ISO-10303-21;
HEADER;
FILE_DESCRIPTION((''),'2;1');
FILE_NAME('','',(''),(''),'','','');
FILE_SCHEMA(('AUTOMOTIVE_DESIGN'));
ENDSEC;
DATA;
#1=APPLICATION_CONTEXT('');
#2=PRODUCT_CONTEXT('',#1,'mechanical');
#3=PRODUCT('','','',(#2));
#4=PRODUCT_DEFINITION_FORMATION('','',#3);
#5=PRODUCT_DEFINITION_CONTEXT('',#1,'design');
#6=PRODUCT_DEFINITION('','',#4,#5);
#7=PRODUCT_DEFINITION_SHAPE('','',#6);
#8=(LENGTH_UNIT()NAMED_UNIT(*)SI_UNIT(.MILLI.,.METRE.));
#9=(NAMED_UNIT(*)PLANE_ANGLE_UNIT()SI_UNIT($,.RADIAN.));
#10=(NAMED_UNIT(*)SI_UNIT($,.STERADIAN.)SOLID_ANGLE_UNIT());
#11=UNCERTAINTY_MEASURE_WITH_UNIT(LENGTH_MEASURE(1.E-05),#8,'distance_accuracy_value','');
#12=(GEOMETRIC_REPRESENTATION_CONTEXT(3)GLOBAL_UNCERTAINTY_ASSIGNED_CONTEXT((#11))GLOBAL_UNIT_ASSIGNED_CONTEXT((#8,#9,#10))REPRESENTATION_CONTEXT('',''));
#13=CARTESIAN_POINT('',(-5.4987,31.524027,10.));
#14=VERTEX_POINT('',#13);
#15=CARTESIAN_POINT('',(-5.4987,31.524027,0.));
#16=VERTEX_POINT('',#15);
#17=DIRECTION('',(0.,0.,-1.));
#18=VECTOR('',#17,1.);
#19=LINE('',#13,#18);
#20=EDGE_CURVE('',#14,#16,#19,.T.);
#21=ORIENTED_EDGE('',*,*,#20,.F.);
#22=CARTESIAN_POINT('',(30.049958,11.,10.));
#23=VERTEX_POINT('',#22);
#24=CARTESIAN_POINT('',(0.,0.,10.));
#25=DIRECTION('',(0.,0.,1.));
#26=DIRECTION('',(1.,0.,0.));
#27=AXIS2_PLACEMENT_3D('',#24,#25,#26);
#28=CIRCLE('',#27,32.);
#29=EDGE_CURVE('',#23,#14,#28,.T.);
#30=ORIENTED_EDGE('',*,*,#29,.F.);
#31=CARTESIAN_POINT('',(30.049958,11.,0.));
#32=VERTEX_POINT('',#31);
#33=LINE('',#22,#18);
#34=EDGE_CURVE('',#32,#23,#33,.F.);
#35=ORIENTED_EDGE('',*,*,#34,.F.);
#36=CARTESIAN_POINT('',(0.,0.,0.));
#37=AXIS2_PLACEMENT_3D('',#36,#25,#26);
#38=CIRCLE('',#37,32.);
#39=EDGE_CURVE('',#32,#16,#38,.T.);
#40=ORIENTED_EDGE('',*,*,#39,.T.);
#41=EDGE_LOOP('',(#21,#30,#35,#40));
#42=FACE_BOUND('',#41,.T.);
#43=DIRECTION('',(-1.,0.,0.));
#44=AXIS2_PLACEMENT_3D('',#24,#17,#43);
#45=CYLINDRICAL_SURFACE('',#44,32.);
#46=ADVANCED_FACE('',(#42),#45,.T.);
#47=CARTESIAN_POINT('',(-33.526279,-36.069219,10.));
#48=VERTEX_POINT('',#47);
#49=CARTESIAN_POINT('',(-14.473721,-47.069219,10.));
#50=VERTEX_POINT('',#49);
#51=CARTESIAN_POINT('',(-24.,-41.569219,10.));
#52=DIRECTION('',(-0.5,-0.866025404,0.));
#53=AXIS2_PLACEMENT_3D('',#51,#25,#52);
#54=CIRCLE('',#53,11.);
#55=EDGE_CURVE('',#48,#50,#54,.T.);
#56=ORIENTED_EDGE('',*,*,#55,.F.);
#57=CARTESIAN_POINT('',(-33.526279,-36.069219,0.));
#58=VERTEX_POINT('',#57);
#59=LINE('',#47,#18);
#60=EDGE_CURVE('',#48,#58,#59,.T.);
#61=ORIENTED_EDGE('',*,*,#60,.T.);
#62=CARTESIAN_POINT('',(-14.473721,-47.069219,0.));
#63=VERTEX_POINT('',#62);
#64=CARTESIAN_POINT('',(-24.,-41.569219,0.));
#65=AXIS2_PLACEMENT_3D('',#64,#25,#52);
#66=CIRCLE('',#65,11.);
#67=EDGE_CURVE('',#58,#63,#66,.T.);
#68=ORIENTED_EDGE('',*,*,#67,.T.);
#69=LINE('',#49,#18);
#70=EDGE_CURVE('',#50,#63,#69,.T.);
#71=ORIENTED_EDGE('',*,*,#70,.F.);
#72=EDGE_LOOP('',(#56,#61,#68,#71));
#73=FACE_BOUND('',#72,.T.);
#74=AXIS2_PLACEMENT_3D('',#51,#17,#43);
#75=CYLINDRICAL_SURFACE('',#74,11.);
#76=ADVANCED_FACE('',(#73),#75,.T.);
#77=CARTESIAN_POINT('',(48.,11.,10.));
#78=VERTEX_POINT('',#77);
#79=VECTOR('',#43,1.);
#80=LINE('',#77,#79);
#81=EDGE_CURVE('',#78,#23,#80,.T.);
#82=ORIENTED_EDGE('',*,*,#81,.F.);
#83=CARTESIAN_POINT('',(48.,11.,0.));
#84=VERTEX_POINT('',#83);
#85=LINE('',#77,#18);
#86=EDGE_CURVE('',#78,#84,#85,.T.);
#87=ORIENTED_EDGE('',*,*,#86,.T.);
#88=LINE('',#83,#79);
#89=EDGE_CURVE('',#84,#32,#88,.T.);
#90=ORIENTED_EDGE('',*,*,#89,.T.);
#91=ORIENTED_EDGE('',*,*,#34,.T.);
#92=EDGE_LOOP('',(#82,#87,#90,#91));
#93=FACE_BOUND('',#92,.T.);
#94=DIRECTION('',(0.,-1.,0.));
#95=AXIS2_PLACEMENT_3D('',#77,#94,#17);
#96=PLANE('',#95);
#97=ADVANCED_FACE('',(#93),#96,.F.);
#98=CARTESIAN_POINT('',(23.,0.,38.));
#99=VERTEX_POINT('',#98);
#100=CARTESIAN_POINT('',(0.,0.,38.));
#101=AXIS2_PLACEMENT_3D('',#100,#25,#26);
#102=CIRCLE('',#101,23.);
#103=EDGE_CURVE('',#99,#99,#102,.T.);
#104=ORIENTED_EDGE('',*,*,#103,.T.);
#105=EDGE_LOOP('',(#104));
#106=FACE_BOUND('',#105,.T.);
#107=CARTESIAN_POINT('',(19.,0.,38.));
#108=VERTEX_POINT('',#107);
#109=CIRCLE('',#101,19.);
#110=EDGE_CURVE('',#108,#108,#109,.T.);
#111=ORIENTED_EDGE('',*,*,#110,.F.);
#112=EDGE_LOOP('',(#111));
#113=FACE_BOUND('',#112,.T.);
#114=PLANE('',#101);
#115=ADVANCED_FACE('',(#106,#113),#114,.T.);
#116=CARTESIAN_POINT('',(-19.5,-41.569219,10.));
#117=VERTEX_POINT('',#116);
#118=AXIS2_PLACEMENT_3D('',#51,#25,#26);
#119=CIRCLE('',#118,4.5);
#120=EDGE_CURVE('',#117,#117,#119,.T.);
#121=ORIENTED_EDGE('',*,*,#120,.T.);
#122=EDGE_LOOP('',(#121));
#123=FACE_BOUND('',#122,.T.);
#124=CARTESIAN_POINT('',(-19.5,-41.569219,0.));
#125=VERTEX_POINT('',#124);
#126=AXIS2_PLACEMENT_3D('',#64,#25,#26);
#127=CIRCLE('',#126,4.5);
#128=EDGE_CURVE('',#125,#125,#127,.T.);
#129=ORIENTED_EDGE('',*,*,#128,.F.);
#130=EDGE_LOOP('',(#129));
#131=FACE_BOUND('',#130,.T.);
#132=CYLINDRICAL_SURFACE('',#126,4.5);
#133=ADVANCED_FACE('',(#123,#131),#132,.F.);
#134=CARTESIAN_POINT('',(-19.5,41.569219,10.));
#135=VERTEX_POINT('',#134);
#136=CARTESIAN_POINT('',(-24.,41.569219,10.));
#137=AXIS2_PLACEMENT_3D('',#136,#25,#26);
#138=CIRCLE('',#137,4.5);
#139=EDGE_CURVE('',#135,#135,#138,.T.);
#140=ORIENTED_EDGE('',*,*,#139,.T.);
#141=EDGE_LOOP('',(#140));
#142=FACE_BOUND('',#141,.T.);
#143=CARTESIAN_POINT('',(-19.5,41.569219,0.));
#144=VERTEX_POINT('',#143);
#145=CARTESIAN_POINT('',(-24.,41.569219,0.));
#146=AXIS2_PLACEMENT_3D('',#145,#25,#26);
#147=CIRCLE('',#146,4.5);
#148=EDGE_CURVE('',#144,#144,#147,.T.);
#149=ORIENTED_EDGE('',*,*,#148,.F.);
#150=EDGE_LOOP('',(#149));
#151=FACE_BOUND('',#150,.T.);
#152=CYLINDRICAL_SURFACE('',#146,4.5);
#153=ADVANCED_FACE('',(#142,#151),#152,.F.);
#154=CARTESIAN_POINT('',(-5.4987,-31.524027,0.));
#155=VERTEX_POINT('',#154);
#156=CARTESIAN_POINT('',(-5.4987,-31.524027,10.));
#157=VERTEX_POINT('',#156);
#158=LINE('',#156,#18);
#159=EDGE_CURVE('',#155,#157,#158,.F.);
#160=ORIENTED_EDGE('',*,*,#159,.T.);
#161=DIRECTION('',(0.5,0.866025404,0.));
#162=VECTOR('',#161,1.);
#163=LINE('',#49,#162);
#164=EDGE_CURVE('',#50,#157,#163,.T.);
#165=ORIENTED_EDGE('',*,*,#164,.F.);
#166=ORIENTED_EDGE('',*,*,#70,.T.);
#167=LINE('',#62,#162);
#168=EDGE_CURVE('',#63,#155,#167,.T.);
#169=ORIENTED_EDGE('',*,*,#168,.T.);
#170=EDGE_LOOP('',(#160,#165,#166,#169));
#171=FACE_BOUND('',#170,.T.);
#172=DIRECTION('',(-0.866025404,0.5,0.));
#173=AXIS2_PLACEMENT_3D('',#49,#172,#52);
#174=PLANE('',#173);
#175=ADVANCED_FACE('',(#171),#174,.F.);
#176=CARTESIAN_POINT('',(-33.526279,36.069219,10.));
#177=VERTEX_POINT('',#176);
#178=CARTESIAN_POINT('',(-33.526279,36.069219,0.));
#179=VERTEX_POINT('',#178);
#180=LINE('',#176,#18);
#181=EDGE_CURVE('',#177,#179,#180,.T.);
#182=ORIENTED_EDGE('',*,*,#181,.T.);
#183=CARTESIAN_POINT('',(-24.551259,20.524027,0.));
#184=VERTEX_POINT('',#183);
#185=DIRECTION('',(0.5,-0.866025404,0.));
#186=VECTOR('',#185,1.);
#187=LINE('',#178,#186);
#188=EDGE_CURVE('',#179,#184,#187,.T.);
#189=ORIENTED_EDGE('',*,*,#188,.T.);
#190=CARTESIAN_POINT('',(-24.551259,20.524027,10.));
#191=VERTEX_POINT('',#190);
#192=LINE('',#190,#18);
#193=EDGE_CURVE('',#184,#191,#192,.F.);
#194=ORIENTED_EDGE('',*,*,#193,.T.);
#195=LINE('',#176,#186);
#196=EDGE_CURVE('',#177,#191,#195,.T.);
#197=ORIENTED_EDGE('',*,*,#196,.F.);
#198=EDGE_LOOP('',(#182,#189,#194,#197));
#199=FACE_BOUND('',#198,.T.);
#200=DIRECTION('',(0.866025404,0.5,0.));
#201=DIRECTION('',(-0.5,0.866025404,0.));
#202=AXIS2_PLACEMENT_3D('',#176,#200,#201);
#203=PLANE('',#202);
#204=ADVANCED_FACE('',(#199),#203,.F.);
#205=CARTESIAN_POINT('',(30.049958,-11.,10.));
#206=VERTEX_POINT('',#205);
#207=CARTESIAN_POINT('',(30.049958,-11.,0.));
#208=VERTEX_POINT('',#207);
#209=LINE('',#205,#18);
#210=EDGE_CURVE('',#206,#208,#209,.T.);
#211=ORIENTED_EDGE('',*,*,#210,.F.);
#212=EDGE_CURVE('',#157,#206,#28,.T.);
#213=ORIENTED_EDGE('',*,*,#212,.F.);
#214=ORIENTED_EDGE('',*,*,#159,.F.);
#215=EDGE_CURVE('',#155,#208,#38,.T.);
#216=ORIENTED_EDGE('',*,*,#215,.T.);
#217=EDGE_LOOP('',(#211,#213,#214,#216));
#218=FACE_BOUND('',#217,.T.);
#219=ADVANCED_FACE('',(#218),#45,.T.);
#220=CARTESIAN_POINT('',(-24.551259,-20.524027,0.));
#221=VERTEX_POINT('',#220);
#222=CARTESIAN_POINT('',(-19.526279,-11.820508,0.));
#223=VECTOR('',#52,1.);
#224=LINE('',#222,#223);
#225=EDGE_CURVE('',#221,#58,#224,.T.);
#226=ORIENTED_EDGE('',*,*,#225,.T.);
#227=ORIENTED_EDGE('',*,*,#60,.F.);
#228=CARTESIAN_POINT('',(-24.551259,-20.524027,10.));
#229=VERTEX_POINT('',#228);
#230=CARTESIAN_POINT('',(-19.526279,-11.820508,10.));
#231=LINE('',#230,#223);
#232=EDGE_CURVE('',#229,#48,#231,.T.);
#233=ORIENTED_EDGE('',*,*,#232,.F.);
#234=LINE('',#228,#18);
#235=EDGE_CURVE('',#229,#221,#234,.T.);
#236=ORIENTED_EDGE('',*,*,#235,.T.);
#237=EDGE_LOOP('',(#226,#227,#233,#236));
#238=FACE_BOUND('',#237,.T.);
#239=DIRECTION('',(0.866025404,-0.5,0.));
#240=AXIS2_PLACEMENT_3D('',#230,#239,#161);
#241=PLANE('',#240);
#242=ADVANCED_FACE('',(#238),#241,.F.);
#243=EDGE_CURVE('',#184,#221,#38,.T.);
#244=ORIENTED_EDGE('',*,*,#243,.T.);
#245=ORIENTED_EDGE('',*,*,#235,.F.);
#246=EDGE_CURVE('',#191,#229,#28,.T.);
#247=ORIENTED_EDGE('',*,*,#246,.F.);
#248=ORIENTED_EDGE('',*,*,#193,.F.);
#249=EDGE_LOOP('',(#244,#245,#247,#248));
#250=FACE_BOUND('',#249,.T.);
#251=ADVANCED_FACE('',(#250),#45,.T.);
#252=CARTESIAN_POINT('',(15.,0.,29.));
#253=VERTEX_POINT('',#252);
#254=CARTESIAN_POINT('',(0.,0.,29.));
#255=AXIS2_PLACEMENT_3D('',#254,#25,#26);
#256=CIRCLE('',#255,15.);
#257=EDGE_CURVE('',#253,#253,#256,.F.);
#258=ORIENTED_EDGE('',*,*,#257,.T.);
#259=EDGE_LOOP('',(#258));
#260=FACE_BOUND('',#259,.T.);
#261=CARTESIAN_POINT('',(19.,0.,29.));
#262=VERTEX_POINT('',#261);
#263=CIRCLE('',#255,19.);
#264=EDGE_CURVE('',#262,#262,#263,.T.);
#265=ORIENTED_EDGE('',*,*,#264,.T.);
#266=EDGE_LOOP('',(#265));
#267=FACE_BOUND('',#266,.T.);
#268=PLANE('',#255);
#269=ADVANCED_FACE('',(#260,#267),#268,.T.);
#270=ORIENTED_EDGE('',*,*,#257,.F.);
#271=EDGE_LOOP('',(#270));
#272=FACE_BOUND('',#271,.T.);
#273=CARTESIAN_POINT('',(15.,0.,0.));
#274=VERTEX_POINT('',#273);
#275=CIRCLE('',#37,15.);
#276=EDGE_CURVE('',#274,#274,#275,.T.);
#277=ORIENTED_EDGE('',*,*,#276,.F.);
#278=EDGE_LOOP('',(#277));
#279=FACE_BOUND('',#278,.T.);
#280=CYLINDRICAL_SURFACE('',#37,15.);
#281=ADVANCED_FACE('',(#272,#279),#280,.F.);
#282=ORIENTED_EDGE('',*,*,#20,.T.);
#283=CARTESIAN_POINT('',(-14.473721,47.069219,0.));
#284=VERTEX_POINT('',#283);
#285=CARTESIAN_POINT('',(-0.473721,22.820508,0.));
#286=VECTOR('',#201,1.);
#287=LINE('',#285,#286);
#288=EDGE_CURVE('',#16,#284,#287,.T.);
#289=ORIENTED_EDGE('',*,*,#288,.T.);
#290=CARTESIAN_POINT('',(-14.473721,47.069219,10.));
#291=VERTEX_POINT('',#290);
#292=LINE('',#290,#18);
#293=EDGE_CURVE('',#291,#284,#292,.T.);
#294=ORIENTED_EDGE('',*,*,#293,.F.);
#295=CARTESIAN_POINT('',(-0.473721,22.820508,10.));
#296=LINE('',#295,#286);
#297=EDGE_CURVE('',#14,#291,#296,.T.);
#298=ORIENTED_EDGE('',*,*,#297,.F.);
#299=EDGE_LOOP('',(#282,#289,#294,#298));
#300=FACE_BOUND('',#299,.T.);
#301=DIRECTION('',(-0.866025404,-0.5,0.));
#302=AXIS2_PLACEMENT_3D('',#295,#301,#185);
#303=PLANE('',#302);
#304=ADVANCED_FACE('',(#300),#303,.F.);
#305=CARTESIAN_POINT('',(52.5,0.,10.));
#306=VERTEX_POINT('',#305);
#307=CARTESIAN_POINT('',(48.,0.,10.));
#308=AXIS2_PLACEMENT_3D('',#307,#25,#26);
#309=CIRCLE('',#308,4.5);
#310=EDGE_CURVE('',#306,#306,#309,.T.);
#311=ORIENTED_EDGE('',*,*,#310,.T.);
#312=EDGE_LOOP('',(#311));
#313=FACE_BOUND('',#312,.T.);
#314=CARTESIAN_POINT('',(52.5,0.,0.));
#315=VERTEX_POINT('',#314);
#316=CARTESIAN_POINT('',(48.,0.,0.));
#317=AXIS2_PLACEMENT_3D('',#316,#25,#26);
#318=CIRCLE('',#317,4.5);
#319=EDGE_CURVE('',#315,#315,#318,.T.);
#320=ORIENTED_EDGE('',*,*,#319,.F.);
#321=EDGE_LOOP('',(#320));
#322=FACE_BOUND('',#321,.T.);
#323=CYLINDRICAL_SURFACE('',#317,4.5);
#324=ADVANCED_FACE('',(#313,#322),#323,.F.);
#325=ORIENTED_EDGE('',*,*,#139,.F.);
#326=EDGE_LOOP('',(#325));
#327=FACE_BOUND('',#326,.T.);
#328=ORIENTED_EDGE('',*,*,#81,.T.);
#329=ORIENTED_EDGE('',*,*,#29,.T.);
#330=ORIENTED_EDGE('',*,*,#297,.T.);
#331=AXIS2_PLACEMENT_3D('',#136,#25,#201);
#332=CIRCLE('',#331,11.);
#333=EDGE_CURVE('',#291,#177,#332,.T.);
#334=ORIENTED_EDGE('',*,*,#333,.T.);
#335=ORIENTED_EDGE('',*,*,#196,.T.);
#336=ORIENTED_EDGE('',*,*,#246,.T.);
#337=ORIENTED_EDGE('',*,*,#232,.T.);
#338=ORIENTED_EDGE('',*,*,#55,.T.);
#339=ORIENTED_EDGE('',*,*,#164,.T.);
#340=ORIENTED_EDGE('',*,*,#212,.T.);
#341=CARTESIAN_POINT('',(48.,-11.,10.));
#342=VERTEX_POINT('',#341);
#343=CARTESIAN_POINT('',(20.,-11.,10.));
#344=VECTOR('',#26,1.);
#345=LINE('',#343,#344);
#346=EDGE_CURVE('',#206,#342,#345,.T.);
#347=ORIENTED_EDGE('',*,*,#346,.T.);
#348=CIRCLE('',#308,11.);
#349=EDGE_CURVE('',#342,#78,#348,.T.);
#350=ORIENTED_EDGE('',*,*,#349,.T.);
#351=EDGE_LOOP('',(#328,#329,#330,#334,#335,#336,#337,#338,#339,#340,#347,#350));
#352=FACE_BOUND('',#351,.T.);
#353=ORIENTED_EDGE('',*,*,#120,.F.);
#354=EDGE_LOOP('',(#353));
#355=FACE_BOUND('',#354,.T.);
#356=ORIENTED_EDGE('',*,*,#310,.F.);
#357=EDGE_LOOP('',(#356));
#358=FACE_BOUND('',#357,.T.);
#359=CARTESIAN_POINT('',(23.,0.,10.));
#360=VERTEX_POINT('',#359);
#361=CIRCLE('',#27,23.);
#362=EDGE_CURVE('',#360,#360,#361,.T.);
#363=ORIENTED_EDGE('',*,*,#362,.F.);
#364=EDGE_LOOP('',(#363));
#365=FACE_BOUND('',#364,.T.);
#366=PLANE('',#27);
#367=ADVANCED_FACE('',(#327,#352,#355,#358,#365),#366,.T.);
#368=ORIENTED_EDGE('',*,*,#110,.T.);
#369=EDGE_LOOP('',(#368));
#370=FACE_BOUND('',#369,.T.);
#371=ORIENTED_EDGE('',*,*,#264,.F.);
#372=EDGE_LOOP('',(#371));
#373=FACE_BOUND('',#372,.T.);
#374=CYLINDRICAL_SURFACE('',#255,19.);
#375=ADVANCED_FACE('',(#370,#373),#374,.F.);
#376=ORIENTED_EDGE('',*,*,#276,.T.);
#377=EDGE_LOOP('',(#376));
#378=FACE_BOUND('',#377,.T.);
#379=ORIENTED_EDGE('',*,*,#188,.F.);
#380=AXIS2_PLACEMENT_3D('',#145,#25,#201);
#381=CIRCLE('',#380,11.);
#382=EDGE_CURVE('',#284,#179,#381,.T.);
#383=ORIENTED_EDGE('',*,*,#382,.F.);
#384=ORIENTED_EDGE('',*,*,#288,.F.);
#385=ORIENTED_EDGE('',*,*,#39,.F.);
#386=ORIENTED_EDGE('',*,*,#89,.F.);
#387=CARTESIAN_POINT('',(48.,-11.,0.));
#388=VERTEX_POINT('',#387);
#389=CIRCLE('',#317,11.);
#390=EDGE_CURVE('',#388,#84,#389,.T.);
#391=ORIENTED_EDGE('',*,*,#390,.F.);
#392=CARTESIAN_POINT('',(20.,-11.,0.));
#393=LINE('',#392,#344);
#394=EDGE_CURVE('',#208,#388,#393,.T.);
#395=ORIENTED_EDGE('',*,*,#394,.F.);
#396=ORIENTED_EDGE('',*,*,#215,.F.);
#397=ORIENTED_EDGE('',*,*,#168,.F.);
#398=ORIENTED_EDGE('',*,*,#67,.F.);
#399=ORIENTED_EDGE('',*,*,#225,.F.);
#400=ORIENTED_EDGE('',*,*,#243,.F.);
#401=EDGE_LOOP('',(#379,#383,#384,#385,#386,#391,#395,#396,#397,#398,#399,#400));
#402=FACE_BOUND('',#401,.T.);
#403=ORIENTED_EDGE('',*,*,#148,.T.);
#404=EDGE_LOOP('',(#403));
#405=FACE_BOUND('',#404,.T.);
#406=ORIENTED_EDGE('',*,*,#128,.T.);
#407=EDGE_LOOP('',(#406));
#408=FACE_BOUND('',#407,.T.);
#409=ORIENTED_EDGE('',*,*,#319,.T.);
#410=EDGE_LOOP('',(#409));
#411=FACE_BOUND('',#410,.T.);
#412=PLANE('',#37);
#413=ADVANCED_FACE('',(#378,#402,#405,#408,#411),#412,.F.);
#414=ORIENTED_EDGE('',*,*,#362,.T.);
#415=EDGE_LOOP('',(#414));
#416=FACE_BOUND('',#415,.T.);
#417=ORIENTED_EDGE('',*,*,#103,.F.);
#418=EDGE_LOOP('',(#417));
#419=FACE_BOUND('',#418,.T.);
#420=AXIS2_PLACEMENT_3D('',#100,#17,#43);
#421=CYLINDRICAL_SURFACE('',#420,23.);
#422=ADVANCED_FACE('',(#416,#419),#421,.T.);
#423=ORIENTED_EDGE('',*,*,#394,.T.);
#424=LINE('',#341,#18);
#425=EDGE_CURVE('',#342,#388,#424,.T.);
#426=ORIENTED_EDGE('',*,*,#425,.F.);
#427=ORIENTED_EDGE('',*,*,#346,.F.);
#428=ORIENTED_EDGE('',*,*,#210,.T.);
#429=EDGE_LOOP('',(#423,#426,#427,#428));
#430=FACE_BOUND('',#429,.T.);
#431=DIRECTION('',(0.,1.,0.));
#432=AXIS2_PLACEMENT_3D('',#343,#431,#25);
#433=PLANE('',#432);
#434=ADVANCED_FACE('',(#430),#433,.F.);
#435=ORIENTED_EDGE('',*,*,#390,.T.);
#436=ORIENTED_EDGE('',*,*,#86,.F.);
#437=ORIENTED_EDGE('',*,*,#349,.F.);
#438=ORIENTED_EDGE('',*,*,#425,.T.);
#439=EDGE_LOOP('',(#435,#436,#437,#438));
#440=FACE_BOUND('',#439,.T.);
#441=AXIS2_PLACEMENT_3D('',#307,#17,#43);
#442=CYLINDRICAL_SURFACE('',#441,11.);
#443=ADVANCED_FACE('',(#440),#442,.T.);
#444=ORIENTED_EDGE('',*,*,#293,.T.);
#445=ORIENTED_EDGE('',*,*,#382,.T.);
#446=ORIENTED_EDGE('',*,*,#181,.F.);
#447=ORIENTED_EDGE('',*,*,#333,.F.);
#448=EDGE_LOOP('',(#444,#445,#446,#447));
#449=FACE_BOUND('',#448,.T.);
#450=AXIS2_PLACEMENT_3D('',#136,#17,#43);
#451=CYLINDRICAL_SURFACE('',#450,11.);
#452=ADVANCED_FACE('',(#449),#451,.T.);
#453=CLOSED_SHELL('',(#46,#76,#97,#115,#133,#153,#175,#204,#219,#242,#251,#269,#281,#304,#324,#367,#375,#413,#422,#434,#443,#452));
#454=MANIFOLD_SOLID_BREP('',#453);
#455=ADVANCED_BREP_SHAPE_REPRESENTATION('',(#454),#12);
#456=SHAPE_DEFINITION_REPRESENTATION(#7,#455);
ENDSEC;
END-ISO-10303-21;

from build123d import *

# Parameters (mm, degrees)
SKETCH_1_R               = 32
EXTRUDE_1_DEPTH          = 10
EXTRUDE_2_DEPTH          = 10
PATTERN_CIRCULAR_1_COUNT = 3
SKETCH_3_R               = 23
EXTRUDE_3_DEPTH          = 28
SKETCH_4_R               = 15
CUT_EXTRUDE_1_DEPTH      = 88.68422222
SKETCH_5_R               = 19
CUT_EXTRUDE_2_DEPTH      = 9
SKETCH_6_R               = 4.5
CUT_EXTRUDE_3_DEPTH      = 84.836285858


with BuildPart() as part:
    # 草图1 → 凸台-拉伸1 (new body)
    with BuildSketch(Plane.XY):
        Circle(SKETCH_1_R)
    extrude(amount=EXTRUDE_1_DEPTH)

    # 草图2 → 凸台-拉伸2 (add)
    with BuildSketch(Plane.XY):
        with BuildLine():
            Line((20, -11), (48, -11))
            ThreePointArc((48, -11), (59, 0), (48, 11))
            Line((48, 11), (20, 11))
            ThreePointArc((20, 11), (9, 0), (20, -11))
        make_face()
    extrude_2 = extrude(amount=EXTRUDE_2_DEPTH)

    # 阵列(圆周)1: 凸台-拉伸2 ×3 about axis
    pattern_circular_1_axis = Axis((0, 0, 10.5), (0, 0, -1))
    for i in range(1, PATTERN_CIRCULAR_1_COUNT):
        add(extrude_2.rotate(pattern_circular_1_axis, i * 360 / PATTERN_CIRCULAR_1_COUNT))

    # 草图3 → 凸台-拉伸3 (add)
    with BuildSketch(Plane.XY.offset(10)):
        Circle(SKETCH_3_R)
    extrude(amount=EXTRUDE_3_DEPTH)

    # 草图4 → 切除-拉伸1 (cut, through all)
    with BuildSketch(Plane.XY.offset(38)):
        Circle(SKETCH_4_R)
    extrude(amount=-CUT_EXTRUDE_1_DEPTH, mode=Mode.SUBTRACT)

    # 草图5 → 切除-拉伸2 (cut)
    with BuildSketch(Plane.XY.offset(38)):
        Circle(SKETCH_5_R)
    extrude(amount=-CUT_EXTRUDE_2_DEPTH, mode=Mode.SUBTRACT)

    # 草图6 → 切除-拉伸3 (cut, through all)
    with BuildSketch(Plane.XY.offset(10)):
        with Locations((48, 0)):
            Circle(SKETCH_6_R)
        with Locations((-24, 41.569219)):
            Circle(SKETCH_6_R)
        with Locations((-24, -41.569219)):
            Circle(SKETCH_6_R)
    extrude(amount=-CUT_EXTRUDE_3_DEPTH, mode=Mode.SUBTRACT)


solid = part.part
